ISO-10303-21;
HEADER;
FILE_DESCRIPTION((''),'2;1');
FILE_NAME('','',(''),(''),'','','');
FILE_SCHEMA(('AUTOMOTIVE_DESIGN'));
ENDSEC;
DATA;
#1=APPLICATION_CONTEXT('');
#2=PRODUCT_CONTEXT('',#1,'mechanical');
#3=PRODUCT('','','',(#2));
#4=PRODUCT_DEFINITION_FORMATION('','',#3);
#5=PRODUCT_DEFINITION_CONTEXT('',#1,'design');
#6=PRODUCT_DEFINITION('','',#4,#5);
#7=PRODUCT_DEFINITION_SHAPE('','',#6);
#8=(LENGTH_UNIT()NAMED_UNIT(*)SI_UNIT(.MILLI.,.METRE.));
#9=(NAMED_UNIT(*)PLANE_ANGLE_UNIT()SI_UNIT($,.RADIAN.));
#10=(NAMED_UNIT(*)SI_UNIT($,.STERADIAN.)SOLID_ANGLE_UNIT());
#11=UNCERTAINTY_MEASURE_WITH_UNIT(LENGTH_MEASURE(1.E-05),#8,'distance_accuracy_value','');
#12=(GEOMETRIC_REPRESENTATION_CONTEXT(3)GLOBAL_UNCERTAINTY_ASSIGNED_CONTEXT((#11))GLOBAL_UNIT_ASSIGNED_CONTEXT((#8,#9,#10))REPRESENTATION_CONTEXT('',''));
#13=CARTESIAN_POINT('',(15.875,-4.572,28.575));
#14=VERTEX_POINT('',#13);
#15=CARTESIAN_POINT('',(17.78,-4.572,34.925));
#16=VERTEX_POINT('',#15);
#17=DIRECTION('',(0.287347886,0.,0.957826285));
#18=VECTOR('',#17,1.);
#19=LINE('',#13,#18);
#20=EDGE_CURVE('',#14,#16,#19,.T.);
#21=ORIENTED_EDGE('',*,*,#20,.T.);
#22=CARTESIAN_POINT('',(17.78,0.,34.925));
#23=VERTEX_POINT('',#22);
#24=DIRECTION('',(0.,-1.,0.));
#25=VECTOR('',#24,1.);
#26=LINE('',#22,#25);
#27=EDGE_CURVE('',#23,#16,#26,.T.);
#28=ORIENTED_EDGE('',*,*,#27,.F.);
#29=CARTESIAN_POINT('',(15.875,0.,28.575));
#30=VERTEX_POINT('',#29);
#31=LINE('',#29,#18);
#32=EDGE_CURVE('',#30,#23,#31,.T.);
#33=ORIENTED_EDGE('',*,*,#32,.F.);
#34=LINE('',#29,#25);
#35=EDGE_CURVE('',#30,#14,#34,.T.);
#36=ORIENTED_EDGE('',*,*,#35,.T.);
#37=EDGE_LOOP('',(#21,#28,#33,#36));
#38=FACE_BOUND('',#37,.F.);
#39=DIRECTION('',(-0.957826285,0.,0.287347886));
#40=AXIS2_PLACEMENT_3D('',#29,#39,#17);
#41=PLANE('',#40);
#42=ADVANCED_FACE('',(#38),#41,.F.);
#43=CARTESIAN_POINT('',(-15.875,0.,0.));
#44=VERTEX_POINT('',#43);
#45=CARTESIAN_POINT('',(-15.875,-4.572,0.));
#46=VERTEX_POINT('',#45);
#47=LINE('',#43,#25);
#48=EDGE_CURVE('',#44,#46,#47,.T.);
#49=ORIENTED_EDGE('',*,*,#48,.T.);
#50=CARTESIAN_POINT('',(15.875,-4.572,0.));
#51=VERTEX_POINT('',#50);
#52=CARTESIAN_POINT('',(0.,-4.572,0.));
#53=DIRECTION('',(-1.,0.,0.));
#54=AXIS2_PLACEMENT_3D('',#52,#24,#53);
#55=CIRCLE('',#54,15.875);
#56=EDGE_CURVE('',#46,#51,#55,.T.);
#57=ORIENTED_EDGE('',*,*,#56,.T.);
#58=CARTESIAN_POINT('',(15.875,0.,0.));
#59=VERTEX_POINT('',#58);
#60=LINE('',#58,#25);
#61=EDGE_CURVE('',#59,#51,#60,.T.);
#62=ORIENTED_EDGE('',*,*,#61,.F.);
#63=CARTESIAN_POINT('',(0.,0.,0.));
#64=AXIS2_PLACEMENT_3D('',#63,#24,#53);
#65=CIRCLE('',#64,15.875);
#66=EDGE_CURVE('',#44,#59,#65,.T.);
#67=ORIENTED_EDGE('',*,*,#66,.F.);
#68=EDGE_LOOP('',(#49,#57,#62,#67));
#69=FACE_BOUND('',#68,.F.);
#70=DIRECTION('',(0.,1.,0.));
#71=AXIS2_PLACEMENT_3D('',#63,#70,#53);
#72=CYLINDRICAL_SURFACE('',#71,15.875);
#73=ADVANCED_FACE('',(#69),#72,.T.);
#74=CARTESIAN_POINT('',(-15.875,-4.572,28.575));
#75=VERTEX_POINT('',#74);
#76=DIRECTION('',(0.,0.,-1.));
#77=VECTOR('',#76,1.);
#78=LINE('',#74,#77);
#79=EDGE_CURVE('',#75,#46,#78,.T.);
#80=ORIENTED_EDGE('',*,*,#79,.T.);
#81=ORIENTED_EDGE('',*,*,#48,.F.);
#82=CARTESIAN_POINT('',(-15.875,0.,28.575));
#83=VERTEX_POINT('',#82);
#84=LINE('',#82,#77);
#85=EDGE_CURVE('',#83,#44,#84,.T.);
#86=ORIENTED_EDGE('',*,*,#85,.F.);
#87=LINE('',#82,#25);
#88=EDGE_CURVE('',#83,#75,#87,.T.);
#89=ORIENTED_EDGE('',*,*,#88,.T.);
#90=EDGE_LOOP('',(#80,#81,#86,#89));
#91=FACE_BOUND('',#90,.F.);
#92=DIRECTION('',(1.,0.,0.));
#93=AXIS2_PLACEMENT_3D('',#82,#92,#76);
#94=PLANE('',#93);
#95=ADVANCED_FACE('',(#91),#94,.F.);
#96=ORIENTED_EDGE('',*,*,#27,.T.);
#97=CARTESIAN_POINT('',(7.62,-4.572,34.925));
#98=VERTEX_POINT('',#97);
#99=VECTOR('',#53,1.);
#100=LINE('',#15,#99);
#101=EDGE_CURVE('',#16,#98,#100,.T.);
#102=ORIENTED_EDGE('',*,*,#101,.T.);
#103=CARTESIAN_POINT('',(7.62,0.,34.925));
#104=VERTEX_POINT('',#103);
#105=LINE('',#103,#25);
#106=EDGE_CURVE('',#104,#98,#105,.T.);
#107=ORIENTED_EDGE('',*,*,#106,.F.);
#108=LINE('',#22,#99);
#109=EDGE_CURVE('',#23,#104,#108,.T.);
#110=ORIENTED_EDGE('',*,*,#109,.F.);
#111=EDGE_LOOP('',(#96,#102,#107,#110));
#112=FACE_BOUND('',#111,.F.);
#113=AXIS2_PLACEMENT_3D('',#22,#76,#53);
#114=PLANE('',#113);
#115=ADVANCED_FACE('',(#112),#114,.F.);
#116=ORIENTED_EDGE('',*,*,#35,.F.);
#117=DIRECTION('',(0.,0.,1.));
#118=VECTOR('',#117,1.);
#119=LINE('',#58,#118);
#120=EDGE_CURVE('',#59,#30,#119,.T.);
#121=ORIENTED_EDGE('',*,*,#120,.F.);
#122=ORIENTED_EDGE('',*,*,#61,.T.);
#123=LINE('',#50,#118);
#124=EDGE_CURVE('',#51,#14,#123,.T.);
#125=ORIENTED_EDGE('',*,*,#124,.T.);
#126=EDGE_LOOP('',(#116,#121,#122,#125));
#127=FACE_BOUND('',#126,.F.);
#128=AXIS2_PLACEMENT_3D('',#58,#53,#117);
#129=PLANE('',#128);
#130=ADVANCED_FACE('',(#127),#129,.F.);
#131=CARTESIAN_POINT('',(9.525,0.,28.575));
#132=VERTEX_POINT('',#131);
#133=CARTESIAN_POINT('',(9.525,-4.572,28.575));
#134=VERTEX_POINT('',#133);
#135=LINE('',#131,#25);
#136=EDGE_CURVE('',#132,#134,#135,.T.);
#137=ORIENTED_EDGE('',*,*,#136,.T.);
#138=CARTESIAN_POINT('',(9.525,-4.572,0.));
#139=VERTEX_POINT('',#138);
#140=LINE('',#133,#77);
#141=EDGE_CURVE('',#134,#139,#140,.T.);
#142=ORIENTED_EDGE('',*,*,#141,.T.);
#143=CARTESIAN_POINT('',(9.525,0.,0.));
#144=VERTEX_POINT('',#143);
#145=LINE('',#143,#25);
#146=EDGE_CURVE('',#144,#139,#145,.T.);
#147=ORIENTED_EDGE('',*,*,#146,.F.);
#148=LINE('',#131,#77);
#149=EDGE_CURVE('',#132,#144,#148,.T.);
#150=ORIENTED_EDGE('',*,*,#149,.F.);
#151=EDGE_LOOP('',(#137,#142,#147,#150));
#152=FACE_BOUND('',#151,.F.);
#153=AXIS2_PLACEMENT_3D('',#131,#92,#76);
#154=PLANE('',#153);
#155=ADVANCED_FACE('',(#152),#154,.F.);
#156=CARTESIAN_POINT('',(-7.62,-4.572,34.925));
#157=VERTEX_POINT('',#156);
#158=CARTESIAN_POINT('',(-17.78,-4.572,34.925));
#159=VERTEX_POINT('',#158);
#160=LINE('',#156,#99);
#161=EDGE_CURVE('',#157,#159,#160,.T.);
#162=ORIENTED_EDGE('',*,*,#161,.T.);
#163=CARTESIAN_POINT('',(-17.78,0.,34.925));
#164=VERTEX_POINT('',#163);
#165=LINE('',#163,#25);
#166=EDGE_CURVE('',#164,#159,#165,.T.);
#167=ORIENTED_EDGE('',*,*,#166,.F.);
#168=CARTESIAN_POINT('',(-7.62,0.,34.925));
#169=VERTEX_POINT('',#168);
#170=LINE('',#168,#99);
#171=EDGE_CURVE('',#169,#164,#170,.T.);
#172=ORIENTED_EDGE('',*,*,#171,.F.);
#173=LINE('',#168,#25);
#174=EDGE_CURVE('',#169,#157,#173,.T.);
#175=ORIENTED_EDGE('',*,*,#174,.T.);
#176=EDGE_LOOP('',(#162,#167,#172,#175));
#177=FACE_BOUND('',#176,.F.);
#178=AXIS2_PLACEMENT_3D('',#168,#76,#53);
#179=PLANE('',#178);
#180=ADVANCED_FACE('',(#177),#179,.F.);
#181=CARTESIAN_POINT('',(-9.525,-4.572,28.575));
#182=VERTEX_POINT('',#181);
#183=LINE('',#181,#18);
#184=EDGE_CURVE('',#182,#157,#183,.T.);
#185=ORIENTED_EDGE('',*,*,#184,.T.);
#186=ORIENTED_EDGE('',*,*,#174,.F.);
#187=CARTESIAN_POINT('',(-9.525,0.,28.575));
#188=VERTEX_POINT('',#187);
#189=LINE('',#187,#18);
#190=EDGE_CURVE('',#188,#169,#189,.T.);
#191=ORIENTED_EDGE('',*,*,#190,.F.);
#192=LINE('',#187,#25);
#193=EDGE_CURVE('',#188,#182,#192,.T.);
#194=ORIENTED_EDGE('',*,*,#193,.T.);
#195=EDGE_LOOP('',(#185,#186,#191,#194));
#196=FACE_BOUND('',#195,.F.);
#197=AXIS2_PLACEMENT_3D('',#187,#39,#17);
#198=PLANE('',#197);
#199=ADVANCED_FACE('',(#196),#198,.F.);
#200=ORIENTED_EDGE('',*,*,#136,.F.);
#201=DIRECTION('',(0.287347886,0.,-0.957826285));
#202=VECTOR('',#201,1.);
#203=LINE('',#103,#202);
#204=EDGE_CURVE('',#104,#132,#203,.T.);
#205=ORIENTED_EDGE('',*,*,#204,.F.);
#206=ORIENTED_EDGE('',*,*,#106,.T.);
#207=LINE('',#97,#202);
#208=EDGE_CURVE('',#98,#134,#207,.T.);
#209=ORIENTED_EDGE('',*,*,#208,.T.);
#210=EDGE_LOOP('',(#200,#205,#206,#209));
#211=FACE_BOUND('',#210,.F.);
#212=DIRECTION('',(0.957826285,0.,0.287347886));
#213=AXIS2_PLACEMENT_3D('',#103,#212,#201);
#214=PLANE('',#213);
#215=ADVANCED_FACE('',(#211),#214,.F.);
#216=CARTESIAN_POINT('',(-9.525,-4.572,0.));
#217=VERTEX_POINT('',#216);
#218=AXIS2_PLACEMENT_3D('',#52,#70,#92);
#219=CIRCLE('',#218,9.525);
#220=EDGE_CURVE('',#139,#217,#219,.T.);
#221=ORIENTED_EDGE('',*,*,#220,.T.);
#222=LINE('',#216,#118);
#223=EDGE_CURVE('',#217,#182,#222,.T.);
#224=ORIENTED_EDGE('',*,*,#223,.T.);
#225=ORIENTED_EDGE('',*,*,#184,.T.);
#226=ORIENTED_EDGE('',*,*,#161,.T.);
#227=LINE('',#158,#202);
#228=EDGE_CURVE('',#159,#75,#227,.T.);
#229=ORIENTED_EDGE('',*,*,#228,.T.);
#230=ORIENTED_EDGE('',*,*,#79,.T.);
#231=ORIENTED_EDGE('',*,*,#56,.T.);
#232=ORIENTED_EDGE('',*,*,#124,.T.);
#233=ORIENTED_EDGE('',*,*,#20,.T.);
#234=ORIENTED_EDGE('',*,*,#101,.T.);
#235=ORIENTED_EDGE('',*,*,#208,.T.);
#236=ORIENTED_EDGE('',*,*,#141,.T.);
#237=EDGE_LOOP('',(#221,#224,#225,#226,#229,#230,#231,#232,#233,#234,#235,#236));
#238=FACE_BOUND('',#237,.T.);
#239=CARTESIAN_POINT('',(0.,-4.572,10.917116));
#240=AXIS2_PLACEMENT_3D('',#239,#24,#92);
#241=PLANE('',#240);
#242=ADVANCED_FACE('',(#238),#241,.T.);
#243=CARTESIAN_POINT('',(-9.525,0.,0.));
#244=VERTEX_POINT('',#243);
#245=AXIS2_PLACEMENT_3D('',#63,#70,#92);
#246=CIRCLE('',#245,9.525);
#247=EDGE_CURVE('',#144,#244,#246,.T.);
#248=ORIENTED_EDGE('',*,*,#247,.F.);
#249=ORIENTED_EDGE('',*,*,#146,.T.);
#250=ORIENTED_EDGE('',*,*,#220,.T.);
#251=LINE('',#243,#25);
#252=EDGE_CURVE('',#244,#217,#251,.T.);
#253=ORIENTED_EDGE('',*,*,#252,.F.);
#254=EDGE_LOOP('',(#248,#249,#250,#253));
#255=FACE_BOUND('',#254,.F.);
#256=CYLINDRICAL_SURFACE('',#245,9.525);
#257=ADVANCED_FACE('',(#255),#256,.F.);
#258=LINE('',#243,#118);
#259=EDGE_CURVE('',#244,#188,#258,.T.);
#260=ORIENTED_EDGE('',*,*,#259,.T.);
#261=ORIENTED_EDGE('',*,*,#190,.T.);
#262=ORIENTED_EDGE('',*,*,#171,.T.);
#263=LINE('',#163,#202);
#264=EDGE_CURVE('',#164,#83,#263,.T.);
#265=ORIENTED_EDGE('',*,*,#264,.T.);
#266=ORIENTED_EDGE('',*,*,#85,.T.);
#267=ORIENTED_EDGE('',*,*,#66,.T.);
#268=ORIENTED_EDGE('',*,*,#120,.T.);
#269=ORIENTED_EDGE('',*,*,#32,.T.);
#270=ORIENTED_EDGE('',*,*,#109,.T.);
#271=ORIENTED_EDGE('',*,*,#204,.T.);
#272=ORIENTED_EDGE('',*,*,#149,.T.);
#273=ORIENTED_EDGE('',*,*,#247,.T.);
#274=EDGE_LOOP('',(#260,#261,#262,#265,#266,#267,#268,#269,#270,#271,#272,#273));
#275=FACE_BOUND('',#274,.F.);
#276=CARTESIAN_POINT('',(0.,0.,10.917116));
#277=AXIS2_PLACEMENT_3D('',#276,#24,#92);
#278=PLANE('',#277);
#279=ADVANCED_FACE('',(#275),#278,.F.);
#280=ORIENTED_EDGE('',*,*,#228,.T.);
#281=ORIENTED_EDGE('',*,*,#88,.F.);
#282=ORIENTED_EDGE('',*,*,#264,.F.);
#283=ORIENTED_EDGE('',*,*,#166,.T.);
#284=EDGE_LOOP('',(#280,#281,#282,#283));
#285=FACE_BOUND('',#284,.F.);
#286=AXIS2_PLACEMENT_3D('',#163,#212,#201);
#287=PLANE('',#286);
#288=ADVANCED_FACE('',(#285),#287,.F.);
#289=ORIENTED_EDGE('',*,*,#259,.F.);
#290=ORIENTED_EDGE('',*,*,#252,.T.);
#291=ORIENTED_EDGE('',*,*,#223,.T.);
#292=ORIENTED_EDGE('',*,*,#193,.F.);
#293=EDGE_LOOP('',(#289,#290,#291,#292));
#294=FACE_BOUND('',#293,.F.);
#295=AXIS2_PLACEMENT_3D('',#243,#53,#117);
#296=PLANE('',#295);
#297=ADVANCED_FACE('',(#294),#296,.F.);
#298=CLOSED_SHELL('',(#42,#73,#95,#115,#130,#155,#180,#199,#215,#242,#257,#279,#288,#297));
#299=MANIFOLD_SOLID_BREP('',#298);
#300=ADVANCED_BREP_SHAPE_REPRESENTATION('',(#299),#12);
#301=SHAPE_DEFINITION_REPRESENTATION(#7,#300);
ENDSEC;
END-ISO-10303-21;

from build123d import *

# Parameters (mm, degrees)
F1_DEPTH = 4.572


with BuildPart() as f1:
    # F0 (on Front) → F1 (new body)
    with BuildSketch(Plane.XZ):
        with BuildLine():
            Line((-15.875, 28.575), (-15.875, 0))
            ThreePointArc((-15.875, 0), (0, -15.875), (15.875, 0))
            Line((15.875, 0), (15.875, 28.575))
            Line((15.875, 28.575), (17.78, 34.925))
            Line((17.78, 34.925), (15.875, 34.925))
            Line((15.875, 34.925), (9.525, 34.925))
            Line((9.525, 34.925), (7.62, 34.925))
            Line((7.62, 34.925), (9.525, 28.575))
            Line((9.525, 28.575), (9.525, 0))
            ThreePointArc((9.525, 0), (0, -9.525), (-9.525, 0))
            Line((-9.525, 0), (-9.525, 28.575))
            Line((-9.525, 28.575), (-7.62, 34.925))
            Line((-7.62, 34.925), (-9.525, 34.925))
            Line((-9.525, 34.925), (-15.875, 34.925))
            Line((-15.875, 34.925), (-17.78, 34.925))
            Line((-17.78, 34.925), (-15.875, 28.575))
        make_face()
    extrude(amount=F1_DEPTH)


solid = f1.part
